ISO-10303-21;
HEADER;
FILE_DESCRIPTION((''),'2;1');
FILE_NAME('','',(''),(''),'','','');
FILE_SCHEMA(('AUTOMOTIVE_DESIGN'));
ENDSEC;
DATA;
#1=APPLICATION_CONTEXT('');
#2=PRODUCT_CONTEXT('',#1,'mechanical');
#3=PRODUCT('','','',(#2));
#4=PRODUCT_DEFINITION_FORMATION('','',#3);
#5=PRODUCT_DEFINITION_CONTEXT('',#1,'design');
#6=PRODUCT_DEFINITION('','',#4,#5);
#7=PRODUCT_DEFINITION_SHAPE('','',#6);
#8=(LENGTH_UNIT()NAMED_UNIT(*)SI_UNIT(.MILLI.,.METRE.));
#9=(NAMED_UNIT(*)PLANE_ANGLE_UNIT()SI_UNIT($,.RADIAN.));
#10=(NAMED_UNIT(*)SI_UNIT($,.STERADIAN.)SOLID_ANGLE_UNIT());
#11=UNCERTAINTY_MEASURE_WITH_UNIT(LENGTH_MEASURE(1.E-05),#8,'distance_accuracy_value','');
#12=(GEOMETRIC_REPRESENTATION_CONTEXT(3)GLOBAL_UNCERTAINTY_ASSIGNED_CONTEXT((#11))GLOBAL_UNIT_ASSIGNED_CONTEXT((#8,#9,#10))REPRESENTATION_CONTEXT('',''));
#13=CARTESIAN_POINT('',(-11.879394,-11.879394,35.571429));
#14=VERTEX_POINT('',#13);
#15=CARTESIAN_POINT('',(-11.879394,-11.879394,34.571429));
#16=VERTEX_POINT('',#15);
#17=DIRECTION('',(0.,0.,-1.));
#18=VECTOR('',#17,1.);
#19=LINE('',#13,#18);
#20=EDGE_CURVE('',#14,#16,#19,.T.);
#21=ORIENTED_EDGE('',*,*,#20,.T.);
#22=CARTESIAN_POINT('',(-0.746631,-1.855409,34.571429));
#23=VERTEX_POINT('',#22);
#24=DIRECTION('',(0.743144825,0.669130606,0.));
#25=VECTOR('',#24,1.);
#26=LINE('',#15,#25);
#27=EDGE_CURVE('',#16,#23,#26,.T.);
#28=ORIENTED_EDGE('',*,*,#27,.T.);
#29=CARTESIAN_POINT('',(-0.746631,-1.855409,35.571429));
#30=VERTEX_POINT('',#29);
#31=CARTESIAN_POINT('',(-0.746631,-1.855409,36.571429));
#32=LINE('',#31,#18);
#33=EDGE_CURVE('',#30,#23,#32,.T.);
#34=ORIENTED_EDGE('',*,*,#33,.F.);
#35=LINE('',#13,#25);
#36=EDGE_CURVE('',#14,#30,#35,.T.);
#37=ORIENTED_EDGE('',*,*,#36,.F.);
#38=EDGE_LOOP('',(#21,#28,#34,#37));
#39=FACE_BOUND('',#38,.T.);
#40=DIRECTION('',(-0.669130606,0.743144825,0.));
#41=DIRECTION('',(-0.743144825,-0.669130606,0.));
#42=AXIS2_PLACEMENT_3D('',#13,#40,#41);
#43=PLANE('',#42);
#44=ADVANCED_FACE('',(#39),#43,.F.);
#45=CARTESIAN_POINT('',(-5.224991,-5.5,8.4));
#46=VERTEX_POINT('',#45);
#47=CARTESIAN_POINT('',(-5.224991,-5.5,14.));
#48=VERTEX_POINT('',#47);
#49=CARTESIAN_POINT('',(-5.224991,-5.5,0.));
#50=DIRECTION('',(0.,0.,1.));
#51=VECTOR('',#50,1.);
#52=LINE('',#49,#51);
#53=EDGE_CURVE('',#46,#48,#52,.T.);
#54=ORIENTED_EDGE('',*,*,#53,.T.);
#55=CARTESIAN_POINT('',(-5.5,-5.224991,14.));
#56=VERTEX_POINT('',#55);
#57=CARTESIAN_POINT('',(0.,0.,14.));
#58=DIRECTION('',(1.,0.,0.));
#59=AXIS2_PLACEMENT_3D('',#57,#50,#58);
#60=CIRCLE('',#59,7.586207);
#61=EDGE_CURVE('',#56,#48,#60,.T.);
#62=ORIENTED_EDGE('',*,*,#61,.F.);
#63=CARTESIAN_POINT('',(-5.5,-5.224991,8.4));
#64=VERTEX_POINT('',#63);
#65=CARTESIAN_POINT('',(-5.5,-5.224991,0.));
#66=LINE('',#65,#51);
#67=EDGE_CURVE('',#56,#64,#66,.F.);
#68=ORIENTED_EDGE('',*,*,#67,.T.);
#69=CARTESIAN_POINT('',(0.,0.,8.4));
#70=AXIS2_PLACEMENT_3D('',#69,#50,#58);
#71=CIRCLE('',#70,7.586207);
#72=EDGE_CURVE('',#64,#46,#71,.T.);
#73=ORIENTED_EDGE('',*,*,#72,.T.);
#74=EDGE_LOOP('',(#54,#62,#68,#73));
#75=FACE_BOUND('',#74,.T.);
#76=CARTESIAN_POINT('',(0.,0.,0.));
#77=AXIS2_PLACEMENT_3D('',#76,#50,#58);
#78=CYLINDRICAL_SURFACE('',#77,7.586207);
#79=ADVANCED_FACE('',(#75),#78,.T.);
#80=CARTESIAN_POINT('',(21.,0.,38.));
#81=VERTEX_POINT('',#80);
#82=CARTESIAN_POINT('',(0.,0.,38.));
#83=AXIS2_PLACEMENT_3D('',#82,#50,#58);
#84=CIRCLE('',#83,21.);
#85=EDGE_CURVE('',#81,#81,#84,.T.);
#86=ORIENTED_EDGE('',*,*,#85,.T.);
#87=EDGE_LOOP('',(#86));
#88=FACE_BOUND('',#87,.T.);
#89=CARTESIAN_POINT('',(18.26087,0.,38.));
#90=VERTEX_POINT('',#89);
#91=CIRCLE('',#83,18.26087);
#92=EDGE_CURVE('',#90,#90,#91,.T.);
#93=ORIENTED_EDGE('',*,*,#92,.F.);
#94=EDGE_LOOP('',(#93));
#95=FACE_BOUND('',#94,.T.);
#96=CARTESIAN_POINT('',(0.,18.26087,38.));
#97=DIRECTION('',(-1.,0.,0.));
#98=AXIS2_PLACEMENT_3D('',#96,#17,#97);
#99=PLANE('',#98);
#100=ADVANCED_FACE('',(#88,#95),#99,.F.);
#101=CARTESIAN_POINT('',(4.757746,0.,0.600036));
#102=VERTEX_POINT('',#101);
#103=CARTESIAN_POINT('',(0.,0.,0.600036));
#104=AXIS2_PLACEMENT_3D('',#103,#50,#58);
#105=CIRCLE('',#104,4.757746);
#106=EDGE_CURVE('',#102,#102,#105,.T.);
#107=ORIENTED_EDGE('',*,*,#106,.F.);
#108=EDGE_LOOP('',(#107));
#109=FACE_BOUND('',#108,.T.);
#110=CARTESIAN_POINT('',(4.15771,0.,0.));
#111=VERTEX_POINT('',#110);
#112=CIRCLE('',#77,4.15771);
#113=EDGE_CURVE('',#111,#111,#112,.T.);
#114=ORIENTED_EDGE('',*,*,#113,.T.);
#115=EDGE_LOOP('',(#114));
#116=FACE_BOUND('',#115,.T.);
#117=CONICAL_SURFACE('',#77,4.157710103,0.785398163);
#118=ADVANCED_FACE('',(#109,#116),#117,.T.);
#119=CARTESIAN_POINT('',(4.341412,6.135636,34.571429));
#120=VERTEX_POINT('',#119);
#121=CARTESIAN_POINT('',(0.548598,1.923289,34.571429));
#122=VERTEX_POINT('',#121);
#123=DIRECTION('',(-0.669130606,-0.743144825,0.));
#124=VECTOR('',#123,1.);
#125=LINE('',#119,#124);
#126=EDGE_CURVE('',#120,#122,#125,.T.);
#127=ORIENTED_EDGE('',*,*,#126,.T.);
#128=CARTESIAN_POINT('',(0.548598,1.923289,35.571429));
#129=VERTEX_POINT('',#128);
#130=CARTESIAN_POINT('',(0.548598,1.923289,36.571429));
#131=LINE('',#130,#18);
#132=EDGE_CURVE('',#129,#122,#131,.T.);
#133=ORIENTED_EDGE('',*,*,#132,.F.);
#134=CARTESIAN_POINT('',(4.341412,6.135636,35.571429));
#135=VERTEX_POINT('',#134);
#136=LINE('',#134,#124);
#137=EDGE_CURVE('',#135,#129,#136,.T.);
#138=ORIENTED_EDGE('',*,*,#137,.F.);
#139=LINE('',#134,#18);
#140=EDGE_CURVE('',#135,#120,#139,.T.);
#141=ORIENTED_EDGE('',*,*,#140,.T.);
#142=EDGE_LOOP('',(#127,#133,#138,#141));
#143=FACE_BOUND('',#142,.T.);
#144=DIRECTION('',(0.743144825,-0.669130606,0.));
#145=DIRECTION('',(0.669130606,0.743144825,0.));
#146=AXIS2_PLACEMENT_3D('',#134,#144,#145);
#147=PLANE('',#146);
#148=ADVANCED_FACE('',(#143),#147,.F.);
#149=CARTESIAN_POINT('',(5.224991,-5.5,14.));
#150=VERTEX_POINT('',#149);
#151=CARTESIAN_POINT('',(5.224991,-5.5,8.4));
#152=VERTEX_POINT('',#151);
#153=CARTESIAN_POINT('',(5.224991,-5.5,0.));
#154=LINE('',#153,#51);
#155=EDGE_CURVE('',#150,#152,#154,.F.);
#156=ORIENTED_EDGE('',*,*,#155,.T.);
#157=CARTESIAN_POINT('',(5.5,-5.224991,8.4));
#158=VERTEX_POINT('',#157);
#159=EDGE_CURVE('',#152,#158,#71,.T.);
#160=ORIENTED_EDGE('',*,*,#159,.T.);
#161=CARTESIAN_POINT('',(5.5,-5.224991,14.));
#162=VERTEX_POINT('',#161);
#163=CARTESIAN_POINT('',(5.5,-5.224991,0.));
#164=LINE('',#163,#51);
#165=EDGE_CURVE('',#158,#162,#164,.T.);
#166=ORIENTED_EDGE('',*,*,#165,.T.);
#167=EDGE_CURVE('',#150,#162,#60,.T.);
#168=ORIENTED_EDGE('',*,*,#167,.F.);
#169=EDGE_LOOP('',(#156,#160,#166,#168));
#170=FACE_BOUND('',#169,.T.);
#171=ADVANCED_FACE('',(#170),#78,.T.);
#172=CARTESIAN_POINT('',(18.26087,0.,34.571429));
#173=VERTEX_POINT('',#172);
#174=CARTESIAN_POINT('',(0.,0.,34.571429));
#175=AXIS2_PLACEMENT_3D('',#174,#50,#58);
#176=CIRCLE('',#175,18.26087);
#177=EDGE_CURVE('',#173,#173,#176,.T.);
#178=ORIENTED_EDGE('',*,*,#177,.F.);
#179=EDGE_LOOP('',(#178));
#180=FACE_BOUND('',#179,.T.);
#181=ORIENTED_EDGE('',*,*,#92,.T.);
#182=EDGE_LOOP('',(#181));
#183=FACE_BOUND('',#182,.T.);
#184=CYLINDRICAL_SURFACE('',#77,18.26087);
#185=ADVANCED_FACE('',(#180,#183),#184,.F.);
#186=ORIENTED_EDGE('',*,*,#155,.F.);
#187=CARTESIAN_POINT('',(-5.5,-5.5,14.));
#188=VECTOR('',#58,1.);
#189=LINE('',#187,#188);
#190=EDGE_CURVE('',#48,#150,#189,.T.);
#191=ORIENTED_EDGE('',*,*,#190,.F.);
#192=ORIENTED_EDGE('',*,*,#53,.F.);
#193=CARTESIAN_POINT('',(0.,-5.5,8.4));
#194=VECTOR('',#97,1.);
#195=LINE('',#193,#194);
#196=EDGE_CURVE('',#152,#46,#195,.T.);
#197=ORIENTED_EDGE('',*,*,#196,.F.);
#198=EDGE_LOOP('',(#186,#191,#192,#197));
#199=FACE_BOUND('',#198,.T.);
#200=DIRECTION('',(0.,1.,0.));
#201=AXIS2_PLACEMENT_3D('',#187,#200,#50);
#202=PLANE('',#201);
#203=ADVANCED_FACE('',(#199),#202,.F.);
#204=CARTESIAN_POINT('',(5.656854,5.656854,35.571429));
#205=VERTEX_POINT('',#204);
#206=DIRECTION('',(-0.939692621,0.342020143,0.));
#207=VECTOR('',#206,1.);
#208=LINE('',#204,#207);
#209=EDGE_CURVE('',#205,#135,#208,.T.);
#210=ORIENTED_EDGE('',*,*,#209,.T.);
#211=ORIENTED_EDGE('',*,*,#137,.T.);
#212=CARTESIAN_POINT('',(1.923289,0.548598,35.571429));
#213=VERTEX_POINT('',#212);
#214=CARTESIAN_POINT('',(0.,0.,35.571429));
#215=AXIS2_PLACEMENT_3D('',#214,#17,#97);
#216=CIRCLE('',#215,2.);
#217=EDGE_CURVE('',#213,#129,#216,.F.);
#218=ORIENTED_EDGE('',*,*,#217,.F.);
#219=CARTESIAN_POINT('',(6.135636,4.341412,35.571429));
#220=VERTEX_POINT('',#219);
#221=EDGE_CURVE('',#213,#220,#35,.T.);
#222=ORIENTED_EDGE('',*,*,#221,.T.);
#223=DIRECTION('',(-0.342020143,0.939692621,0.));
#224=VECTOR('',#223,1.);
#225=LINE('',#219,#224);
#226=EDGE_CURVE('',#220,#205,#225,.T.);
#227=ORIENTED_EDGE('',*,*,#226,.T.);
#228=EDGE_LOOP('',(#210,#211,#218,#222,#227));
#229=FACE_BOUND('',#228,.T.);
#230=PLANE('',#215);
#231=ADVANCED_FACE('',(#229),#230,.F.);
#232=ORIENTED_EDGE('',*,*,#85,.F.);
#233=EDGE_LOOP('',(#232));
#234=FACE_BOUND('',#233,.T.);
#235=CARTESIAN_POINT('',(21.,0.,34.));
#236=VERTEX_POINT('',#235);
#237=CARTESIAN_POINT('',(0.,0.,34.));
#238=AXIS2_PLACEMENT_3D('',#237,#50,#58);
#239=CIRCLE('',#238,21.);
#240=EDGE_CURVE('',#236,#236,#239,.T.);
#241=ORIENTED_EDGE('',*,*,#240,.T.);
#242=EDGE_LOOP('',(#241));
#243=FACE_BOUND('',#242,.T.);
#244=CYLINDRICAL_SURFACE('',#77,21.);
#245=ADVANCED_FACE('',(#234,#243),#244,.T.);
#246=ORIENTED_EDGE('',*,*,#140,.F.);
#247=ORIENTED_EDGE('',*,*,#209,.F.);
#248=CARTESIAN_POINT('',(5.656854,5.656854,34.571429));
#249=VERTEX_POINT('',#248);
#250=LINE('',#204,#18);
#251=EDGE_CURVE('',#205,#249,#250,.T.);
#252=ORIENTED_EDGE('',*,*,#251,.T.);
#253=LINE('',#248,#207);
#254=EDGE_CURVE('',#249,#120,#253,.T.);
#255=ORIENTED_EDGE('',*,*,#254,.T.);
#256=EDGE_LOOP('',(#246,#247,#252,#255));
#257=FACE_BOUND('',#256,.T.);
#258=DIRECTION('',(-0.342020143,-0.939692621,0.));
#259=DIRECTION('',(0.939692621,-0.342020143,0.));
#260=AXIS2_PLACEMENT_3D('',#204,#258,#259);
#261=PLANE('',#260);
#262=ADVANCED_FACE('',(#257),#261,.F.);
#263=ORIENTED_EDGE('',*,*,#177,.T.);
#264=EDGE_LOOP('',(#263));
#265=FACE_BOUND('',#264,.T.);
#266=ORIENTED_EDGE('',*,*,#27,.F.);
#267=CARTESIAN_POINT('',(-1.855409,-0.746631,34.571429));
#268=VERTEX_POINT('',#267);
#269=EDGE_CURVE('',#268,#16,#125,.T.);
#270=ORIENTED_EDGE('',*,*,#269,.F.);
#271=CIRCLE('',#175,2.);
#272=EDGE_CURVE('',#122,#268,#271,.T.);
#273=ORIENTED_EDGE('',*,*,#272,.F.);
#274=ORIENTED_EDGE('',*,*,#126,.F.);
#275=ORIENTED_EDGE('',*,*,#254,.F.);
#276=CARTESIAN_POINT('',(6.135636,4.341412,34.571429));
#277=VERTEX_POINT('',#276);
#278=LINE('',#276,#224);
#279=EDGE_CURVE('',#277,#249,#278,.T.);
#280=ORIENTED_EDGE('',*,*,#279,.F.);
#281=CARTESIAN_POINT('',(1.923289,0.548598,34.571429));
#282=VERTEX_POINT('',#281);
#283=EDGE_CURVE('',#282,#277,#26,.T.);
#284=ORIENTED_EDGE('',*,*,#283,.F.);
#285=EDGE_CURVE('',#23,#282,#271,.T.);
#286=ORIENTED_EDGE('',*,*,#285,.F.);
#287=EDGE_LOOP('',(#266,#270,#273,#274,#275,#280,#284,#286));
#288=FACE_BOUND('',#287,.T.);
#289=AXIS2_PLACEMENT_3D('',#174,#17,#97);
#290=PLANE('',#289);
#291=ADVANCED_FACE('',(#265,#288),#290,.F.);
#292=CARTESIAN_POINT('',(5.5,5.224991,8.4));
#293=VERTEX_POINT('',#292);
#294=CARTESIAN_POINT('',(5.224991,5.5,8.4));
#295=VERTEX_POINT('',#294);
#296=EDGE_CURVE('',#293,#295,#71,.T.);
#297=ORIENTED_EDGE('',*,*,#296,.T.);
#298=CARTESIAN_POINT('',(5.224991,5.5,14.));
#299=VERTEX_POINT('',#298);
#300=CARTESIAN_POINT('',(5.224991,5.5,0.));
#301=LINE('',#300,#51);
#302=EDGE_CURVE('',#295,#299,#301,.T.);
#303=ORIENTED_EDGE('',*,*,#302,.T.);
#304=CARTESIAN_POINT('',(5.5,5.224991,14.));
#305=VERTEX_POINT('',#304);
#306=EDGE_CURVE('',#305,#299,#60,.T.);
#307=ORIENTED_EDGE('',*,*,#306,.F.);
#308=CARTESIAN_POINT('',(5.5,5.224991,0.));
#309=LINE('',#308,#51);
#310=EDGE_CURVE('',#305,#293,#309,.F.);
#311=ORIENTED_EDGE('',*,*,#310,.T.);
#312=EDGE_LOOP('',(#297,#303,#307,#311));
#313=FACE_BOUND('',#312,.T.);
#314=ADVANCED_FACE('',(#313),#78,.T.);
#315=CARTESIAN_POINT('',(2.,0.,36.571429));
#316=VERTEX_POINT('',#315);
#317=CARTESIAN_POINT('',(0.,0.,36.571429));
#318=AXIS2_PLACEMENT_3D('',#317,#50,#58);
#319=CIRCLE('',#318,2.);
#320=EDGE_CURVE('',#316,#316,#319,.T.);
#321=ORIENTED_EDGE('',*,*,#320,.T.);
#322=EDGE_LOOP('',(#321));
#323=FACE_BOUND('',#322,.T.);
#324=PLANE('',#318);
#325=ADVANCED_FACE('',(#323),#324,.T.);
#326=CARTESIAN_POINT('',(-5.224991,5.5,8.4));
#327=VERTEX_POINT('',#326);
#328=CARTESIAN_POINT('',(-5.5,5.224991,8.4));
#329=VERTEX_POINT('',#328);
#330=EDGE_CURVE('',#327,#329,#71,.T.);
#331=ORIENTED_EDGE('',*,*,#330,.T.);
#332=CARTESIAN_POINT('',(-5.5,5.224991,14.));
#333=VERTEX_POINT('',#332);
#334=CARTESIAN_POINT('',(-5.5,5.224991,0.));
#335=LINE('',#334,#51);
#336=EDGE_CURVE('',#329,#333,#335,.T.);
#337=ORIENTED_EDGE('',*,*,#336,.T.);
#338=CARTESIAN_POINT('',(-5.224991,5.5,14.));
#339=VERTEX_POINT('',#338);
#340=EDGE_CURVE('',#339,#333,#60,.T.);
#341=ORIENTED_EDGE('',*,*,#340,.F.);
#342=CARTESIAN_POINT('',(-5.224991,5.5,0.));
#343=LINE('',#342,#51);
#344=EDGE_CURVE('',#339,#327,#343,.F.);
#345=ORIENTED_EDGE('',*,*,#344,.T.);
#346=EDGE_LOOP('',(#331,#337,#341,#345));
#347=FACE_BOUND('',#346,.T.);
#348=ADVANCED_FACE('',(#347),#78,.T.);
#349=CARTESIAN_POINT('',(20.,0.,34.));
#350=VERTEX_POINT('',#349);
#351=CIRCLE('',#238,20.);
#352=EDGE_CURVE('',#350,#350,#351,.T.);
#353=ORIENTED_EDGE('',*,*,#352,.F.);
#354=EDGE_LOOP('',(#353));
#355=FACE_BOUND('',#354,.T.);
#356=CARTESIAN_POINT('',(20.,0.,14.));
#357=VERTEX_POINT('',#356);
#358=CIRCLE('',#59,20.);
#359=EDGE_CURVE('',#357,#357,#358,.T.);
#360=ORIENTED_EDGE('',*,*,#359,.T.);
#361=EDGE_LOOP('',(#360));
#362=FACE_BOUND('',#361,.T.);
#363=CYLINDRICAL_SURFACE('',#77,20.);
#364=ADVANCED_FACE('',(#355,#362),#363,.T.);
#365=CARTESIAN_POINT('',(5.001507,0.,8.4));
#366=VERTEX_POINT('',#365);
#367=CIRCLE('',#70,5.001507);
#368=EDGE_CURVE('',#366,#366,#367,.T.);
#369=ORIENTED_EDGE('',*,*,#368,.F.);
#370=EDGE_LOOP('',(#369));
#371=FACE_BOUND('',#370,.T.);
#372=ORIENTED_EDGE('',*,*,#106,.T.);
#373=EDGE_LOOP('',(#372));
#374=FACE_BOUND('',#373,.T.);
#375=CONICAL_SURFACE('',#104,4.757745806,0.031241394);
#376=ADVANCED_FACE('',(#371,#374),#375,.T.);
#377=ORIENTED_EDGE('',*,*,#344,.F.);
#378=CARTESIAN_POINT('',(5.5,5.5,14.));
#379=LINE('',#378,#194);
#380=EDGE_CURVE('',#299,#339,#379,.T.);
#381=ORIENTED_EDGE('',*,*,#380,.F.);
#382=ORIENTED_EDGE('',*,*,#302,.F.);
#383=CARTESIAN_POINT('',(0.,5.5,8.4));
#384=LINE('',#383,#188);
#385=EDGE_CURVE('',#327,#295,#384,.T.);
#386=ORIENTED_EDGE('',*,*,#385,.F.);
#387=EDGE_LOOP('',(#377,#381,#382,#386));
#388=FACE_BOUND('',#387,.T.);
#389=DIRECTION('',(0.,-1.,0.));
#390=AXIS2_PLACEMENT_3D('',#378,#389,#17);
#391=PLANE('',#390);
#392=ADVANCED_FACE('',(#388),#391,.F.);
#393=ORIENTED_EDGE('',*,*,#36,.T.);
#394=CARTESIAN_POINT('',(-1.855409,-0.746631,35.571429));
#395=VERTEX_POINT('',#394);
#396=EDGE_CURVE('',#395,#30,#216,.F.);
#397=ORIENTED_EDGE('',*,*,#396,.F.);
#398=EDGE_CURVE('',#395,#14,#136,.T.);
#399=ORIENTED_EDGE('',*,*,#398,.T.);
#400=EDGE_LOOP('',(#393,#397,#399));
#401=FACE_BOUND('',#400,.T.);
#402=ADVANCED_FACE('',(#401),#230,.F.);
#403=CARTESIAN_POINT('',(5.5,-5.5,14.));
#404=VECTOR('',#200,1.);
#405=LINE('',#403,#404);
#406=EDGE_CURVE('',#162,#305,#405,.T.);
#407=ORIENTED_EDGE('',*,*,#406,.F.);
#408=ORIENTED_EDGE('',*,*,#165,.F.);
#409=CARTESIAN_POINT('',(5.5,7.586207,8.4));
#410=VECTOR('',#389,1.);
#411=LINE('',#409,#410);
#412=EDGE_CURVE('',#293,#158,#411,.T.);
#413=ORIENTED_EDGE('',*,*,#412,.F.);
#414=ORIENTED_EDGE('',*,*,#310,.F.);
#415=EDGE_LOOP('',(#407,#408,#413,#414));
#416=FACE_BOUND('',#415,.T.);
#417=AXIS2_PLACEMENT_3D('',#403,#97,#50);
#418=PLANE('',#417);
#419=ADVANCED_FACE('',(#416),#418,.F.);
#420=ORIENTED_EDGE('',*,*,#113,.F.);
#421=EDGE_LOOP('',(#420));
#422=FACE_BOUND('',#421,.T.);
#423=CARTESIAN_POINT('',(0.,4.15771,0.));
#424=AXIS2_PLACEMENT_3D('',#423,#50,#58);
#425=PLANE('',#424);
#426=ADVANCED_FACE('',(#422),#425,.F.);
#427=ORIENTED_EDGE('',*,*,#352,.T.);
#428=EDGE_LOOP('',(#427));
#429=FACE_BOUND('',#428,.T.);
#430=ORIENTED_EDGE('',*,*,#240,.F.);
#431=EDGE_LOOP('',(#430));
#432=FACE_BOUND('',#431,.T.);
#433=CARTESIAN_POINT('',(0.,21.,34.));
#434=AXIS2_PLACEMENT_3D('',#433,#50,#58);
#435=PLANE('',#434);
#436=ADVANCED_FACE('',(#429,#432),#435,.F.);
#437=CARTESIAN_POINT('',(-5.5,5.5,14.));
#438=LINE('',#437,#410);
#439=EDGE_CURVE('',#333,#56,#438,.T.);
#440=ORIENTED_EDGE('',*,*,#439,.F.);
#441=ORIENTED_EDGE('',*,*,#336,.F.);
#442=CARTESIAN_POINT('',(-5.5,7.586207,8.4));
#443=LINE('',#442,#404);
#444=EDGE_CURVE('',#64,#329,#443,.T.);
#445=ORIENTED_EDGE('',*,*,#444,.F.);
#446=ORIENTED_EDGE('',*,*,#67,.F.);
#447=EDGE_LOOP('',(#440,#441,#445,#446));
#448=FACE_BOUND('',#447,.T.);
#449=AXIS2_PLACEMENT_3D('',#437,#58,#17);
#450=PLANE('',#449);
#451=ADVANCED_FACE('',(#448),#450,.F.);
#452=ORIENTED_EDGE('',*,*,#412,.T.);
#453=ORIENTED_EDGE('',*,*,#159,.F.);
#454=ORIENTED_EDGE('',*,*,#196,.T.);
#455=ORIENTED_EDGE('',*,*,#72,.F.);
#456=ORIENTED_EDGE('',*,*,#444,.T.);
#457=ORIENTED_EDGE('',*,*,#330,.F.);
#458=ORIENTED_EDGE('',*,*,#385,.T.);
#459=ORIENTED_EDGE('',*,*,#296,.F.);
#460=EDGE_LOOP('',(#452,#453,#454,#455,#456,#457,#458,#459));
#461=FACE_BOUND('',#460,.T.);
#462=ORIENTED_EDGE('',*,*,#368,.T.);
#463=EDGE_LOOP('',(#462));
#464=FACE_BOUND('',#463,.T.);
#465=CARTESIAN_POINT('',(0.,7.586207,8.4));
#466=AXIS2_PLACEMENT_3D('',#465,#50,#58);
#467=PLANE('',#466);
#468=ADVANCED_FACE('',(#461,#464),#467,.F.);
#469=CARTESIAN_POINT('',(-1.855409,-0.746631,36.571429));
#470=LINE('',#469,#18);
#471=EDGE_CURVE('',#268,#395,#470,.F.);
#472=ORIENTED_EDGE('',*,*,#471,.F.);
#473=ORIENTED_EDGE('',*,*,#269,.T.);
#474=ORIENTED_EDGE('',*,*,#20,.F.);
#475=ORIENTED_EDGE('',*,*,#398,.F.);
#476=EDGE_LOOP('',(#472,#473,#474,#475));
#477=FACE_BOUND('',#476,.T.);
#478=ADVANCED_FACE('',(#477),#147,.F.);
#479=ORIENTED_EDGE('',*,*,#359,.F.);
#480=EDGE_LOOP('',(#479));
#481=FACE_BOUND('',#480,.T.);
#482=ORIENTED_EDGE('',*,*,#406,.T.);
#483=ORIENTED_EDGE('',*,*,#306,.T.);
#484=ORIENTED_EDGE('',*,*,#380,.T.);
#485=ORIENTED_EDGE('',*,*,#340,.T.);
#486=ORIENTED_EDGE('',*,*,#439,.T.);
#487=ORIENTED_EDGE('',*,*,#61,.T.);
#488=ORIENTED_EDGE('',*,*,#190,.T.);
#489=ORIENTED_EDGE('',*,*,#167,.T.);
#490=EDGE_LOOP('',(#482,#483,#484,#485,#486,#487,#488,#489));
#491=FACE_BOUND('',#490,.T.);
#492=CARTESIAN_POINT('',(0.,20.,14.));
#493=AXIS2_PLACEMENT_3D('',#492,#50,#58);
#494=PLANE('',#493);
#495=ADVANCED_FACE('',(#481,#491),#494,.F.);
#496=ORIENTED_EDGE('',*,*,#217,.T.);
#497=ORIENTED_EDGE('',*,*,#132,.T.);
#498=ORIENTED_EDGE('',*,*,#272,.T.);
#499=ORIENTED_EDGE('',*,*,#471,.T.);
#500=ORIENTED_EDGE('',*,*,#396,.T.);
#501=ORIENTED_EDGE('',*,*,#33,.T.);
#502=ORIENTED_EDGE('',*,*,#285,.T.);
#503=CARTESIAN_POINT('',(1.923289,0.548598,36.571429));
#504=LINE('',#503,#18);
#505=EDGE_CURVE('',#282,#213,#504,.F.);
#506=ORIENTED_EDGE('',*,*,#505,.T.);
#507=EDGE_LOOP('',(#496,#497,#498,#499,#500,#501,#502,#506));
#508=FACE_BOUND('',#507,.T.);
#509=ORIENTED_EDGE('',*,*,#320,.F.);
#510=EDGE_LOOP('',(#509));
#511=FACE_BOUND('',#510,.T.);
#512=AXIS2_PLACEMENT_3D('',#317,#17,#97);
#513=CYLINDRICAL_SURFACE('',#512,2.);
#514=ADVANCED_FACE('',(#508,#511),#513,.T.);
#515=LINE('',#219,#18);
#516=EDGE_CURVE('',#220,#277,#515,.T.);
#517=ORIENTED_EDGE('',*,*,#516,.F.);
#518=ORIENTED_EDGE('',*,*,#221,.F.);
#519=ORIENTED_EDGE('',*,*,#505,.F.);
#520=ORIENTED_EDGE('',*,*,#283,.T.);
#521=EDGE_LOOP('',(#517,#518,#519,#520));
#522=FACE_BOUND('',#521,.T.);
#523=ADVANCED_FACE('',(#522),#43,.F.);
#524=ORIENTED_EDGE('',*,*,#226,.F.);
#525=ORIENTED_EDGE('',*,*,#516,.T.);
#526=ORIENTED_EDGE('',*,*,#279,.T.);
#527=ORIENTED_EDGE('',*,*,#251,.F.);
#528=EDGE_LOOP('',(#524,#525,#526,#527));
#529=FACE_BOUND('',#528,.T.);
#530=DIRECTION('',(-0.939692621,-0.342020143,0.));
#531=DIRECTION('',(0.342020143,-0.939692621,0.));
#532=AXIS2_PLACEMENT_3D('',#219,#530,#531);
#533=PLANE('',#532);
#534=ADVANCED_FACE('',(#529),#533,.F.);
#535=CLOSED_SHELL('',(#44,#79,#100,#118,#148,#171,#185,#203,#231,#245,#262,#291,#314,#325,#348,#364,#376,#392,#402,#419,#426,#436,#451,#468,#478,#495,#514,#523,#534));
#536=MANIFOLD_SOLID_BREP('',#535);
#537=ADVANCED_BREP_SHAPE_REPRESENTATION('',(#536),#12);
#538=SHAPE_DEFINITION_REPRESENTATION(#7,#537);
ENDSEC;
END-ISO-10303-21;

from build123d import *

# Parameters (mm, degrees)
EXTRUDE_1_DEPTH     = 1
SKETCH_3_R          = 2
EXTRUDE_2_DEPTH     = 2
SKETCH_4_W          = 36.891891892
SKETCH_4_H          = 44.115479116
SKETCH_4_W_2        = 11
SKETCH_4_H_2        = 11
CUT_EXTRUDE_1_DEPTH = 14


with BuildPart() as part:
    # 草图1 → 旋转1 (revolve)
    with BuildSketch(Plane(origin=(0, 0, 0), x_dir=(0, 0, -1), z_dir=(1, 0, 0))):
        Polygon((-34.571428571, 0), (-34.571428571, 18.260869565), (-38, 18.260869565), (-38, 21), (-34, 21), (-34, 20), (-14, 20), (-14, 7.586206897), (-8.4, 7.586206897), (-8.4, 5.001506871), (-0.600035703, 4.757745806), (0, 4.157710103), (0, 0), align=None)
    revolve(axis=Axis((0, 0, 0), (0, 0, 1)))

    # 草图2 → 凸台-拉伸1 (add)
    with BuildSketch(Plane.XY.offset(34.571428571)):
        Polygon((-11.879393924, -11.879393924), (6.135636089, 4.341411958), (5.656854249, 5.656854249), (4.341411958, 6.135636089), align=None)
    extrude(amount=EXTRUDE_1_DEPTH)

    # 草图3 → 凸台-拉伸2 (add)
    with BuildSketch(Plane.XY.offset(34.571428571)):
        Circle(SKETCH_3_R)
    extrude(amount=EXTRUDE_2_DEPTH)

    # 草图4 → 切除-拉伸1 (cut)
    with BuildSketch(Plane.XY):
        with Locations((-1.160933661, -1.547911548)):
            Rectangle(SKETCH_4_W, SKETCH_4_H)
        Rectangle(SKETCH_4_W_2, SKETCH_4_H_2, mode=Mode.SUBTRACT)
    extrude(amount=CUT_EXTRUDE_1_DEPTH, mode=Mode.SUBTRACT)


solid = part.part
